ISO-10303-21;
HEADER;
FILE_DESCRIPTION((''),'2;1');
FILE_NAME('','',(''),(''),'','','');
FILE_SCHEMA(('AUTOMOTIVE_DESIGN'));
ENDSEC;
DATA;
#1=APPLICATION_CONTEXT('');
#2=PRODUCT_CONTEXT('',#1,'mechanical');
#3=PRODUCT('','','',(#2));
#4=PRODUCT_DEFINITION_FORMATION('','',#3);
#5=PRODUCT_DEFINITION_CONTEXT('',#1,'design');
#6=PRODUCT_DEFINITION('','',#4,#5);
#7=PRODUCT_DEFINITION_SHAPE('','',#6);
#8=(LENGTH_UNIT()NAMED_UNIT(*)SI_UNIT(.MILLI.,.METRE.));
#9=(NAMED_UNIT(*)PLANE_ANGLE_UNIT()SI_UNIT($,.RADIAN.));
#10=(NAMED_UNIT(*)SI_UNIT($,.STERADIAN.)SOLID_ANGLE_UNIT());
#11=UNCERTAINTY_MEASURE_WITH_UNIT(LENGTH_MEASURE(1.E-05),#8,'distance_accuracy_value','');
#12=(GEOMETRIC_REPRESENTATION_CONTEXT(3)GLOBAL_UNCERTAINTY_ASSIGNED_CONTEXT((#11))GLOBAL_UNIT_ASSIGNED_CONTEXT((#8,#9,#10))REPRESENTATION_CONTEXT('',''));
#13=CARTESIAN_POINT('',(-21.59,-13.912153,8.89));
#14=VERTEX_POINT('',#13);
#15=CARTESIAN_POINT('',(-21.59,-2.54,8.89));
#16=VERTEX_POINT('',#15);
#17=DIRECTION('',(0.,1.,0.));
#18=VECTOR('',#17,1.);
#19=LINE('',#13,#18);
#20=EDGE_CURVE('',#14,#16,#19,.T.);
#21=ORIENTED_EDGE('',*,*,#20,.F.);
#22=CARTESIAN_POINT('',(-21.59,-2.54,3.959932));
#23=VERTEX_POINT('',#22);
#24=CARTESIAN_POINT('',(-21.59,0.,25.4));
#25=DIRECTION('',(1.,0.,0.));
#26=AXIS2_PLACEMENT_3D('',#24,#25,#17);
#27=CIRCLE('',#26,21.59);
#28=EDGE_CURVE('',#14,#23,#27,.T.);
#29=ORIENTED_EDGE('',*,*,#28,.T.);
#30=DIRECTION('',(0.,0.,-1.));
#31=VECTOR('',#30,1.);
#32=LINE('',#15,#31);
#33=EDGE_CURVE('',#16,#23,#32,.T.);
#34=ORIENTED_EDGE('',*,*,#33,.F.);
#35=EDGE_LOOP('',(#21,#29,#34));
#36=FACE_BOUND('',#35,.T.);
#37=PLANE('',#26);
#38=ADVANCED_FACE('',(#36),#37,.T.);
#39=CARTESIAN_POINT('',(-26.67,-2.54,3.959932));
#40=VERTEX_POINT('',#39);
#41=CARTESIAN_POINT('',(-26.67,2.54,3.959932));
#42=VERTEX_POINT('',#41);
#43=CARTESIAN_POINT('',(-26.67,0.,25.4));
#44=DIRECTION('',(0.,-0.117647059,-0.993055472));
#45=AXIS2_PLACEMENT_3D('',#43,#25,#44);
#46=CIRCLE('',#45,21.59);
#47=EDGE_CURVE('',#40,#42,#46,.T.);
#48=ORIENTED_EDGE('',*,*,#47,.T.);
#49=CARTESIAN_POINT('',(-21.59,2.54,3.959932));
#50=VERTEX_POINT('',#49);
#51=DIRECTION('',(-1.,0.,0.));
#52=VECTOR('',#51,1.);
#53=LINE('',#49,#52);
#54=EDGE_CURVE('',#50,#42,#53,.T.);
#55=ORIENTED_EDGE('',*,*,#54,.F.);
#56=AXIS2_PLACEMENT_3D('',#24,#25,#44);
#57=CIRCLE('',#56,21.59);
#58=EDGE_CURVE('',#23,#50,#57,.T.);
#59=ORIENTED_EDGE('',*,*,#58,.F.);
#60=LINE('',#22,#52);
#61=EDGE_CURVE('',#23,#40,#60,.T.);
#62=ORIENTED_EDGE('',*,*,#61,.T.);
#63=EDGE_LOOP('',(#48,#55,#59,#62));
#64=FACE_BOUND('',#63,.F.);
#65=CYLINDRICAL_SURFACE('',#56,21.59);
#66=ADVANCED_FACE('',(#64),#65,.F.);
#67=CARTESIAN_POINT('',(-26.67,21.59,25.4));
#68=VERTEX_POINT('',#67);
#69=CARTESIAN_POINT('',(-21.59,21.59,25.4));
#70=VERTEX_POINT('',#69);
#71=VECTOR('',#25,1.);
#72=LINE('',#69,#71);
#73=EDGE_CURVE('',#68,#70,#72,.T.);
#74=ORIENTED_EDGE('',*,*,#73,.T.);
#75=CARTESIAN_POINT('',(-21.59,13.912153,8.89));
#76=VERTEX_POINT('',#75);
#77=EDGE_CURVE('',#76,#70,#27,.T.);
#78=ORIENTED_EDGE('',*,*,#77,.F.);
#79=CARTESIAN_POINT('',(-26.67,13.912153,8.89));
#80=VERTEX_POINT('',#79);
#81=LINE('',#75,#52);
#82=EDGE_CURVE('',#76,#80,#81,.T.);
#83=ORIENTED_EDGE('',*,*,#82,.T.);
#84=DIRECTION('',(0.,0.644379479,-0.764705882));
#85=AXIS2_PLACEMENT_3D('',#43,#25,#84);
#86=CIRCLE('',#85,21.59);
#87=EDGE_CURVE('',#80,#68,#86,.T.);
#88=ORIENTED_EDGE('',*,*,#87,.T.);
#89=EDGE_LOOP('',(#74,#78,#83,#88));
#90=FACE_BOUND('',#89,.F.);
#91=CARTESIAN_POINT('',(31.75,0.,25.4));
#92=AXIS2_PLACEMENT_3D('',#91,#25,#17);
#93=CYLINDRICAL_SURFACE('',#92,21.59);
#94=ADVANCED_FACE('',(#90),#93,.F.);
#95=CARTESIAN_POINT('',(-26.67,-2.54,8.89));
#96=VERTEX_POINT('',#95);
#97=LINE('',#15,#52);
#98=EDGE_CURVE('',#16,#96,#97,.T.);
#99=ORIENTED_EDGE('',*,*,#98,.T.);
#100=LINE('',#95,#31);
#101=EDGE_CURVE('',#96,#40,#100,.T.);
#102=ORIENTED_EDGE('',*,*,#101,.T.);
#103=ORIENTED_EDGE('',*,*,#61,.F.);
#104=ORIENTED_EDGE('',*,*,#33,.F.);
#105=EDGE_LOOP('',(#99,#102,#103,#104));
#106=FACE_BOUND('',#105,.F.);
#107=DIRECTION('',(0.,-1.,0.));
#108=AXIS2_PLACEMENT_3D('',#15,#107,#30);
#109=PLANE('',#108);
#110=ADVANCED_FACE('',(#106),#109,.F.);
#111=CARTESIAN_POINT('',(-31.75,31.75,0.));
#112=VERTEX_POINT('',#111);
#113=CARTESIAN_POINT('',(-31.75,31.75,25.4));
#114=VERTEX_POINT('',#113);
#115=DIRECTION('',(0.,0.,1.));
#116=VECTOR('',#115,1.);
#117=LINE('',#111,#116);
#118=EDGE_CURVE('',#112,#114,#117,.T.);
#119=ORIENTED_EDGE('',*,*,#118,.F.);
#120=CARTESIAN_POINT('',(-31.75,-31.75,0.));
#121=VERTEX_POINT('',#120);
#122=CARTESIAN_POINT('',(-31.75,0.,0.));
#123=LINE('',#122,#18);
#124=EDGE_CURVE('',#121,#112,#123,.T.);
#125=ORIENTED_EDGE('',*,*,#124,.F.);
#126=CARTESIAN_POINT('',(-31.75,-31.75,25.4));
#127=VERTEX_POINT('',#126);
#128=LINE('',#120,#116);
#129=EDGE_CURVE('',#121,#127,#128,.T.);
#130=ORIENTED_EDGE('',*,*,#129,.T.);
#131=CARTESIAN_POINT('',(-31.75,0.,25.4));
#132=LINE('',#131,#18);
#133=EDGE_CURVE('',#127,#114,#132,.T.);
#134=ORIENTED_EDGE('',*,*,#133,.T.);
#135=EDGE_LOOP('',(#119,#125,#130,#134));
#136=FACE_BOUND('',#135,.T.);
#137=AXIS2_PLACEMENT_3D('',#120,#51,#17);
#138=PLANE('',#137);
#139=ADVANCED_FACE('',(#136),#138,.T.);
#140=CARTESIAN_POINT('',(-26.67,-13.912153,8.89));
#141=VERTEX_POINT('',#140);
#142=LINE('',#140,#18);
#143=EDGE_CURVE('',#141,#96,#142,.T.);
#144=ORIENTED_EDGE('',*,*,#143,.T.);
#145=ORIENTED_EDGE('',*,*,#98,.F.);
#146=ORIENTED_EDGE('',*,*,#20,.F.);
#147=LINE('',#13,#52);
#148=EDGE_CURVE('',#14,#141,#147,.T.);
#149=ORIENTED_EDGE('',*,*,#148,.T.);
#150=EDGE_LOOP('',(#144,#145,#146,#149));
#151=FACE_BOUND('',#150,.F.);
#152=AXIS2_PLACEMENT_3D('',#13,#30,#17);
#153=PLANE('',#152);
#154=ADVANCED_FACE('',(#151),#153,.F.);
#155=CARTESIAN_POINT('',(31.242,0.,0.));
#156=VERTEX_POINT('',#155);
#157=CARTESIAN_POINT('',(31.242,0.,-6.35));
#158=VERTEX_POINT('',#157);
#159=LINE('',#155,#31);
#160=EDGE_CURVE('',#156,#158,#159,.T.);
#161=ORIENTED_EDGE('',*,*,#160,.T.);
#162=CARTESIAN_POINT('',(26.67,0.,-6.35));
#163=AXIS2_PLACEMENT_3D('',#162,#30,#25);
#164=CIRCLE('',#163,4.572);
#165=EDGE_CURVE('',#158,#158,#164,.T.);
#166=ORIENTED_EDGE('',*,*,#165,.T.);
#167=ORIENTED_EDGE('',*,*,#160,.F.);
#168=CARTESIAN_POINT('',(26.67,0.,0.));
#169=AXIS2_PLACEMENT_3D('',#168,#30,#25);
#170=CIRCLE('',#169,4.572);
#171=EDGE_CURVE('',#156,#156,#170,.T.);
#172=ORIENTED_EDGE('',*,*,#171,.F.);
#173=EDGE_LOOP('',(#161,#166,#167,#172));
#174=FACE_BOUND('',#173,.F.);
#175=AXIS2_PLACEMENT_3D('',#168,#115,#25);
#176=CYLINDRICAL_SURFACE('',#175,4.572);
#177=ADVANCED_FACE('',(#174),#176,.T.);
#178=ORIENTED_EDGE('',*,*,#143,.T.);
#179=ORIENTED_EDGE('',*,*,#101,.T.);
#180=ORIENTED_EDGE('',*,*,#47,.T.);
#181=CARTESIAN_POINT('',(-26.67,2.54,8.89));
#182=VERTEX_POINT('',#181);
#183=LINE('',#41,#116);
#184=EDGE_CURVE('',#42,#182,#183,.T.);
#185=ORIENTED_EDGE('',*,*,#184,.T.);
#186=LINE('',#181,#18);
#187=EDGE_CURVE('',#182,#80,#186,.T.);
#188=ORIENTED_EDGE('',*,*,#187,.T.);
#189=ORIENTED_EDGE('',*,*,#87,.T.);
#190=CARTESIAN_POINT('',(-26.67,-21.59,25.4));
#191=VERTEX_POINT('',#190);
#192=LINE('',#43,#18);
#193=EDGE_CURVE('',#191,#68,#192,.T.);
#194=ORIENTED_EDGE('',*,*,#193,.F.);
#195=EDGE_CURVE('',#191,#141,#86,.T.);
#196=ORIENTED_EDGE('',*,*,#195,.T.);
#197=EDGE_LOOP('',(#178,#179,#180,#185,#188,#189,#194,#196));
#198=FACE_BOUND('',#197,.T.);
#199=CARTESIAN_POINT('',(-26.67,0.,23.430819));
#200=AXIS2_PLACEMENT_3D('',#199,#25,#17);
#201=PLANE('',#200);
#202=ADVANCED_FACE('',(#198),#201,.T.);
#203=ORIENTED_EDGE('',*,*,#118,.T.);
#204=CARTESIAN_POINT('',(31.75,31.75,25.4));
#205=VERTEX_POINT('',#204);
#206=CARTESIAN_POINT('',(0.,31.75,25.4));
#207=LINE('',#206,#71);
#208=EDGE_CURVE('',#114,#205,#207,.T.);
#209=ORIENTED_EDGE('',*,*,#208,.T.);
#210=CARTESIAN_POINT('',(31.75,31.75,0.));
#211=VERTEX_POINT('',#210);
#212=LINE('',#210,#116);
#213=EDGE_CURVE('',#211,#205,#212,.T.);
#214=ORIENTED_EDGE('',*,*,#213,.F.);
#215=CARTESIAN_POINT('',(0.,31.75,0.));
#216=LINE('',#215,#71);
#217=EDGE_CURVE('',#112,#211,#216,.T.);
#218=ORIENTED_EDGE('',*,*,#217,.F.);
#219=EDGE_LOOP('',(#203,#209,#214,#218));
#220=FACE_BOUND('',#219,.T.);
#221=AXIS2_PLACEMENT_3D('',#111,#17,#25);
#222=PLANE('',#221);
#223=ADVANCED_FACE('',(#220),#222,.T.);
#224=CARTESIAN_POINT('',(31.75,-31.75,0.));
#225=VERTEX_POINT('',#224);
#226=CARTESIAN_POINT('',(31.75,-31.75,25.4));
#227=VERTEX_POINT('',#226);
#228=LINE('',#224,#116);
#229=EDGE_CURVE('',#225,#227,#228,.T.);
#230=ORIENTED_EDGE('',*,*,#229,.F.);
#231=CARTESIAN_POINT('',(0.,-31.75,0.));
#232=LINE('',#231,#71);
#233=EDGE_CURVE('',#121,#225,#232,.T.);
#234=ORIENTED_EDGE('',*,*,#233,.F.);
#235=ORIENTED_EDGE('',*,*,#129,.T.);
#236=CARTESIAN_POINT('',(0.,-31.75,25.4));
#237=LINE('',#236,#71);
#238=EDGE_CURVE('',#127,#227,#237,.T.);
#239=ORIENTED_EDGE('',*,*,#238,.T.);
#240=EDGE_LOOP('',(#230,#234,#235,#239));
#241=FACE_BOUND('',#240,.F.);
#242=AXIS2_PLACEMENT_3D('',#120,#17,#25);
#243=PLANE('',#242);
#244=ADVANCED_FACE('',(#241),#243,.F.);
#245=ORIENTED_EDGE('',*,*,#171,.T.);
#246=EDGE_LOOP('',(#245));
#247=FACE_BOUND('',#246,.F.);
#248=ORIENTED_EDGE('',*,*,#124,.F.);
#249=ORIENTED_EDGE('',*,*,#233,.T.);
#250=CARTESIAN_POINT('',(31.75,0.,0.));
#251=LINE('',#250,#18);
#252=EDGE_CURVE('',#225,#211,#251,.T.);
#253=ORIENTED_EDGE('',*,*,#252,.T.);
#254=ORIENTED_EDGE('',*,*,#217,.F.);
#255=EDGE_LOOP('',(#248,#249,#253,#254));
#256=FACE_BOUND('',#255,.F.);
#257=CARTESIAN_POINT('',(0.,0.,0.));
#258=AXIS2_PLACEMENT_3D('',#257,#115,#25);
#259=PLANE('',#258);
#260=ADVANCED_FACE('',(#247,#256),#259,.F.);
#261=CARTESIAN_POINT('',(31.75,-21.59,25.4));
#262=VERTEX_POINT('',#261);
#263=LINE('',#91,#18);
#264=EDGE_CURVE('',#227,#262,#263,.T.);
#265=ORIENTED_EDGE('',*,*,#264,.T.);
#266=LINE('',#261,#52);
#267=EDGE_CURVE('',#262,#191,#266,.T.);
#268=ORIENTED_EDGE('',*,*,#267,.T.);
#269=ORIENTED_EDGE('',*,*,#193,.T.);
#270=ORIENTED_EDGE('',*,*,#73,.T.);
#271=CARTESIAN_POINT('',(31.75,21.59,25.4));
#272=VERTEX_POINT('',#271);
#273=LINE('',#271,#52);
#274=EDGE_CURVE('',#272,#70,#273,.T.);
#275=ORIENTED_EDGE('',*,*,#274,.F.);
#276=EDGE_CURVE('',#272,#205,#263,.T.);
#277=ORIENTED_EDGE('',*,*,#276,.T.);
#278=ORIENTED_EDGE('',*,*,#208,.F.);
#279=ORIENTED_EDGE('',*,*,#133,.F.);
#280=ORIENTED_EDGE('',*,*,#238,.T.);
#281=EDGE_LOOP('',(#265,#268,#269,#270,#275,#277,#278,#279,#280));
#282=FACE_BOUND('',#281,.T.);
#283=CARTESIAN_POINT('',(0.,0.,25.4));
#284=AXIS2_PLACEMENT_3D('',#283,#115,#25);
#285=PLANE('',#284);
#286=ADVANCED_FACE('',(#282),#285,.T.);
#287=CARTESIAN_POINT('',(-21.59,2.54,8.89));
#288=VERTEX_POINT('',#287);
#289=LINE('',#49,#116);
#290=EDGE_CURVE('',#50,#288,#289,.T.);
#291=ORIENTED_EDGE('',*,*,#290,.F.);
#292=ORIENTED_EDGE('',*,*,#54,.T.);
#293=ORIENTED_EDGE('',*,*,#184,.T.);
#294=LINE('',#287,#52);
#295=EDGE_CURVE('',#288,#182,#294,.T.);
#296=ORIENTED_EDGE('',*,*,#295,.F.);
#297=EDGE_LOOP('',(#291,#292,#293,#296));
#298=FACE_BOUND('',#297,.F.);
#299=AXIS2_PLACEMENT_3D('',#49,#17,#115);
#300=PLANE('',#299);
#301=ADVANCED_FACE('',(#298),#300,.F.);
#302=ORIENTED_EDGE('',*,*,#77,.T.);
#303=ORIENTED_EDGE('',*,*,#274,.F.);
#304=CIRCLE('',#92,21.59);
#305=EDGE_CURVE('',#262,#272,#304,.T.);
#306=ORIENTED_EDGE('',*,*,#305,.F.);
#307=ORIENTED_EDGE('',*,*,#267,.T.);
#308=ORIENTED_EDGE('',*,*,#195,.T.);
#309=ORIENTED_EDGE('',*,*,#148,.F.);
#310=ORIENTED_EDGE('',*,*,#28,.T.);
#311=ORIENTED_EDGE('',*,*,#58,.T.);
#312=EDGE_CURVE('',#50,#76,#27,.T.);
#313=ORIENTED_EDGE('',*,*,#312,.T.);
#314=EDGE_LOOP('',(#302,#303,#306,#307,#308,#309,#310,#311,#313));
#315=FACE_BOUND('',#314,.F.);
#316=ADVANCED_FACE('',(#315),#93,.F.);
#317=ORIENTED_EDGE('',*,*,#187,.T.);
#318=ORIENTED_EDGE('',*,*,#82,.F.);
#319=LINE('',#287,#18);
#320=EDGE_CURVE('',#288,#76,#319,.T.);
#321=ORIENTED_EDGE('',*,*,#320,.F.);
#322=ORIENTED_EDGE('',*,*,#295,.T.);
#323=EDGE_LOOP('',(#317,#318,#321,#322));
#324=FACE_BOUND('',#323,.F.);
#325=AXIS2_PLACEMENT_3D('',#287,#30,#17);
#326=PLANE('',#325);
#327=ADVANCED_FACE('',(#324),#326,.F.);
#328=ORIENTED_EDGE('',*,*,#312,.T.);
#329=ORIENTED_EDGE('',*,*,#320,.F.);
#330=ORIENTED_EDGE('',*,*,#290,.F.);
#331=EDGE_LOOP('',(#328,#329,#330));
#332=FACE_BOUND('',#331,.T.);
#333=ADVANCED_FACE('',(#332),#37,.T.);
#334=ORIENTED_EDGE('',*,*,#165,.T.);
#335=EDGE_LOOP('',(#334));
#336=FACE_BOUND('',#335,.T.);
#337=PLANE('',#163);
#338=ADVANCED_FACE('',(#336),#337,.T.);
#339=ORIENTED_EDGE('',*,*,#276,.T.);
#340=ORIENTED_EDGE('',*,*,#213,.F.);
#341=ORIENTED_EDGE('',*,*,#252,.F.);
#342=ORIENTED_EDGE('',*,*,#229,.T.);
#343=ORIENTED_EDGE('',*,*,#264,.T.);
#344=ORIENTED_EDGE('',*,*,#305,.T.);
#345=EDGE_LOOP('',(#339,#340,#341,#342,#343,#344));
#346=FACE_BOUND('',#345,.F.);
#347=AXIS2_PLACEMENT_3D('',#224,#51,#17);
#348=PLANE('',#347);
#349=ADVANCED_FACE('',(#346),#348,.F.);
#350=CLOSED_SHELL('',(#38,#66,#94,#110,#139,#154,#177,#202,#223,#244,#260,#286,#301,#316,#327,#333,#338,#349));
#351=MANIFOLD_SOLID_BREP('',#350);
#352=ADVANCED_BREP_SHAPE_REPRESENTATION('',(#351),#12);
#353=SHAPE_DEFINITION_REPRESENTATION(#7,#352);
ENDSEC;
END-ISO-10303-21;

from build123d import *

# Parameters (mm, degrees)
F0_W     = 63.5
F0_H     = 63.5
F1_DEPTH = 25.4
F2_R     = 21.59
F3_DEPTH = 53.34
F4_R     = 4.572
F5_DEPTH = 6.35
F7_DEPTH = 5.08
F8_DEPTH = 5.08


with BuildPart() as f1:
    # F0 (on Top) → F1 (new body)
    with BuildSketch(Plane.XY):
        Rectangle(F0_W, F0_H)
    extrude(amount=F1_DEPTH)

    # F2 (on face) → F3 (cut)
    with BuildSketch(Plane.YZ.offset(31.75)):
        with Locations((0, 25.4)):
            Circle(F2_R)
    extrude(amount=-F3_DEPTH, mode=Mode.SUBTRACT)

    # F4 (on face) → F5 (join)
    with BuildSketch(Plane(origin=(0, 0, 0), x_dir=(1, 0, 0), z_dir=(0, 0, -1))):
        with Locations((26.67, 0)):
            Circle(F4_R)
    extrude(amount=F5_DEPTH)

    # F6 (on face) → F7 (cut)
    with BuildSketch(Plane.YZ.offset(-21.59)):
        with BuildLine():
            Line((-2.54, 8.89), (-2.54, 3.9599323695))
            ThreePointArc((-2.54, 3.9599323695), (0, 3.81), (2.54, 3.9599323695))
            Line((2.54, 3.9599323695), (2.54, 8.89))
            Line((2.54, 8.89), (13.9121529606, 8.89))
            ThreePointArc((13.9121529606, 8.89), (0, 46.99), (-13.9121529606, 8.89))
            Line((-13.9121529606, 8.89), (-2.54, 8.89))
        make_face()
    extrude(amount=-F7_DEPTH, mode=Mode.SUBTRACT)

    # F6 (on face) → F8 (cut)
    with BuildSketch(Plane.YZ.offset(-21.59)):
        with BuildLine():
            Line((-2.54, 8.89), (-2.54, 3.9599323695))
            ThreePointArc((-2.54, 3.9599323695), (0, 3.81), (2.54, 3.9599323695))
            Line((2.54, 3.9599323695), (2.54, 8.89))
            Line((2.54, 8.89), (13.9121529606, 8.89))
            ThreePointArc((13.9121529606, 8.89), (0, 46.99), (-13.9121529606, 8.89))
            Line((-13.9121529606, 8.89), (-2.54, 8.89))
        make_face()
    extrude(amount=-F8_DEPTH, mode=Mode.SUBTRACT)


solid = f1.part
